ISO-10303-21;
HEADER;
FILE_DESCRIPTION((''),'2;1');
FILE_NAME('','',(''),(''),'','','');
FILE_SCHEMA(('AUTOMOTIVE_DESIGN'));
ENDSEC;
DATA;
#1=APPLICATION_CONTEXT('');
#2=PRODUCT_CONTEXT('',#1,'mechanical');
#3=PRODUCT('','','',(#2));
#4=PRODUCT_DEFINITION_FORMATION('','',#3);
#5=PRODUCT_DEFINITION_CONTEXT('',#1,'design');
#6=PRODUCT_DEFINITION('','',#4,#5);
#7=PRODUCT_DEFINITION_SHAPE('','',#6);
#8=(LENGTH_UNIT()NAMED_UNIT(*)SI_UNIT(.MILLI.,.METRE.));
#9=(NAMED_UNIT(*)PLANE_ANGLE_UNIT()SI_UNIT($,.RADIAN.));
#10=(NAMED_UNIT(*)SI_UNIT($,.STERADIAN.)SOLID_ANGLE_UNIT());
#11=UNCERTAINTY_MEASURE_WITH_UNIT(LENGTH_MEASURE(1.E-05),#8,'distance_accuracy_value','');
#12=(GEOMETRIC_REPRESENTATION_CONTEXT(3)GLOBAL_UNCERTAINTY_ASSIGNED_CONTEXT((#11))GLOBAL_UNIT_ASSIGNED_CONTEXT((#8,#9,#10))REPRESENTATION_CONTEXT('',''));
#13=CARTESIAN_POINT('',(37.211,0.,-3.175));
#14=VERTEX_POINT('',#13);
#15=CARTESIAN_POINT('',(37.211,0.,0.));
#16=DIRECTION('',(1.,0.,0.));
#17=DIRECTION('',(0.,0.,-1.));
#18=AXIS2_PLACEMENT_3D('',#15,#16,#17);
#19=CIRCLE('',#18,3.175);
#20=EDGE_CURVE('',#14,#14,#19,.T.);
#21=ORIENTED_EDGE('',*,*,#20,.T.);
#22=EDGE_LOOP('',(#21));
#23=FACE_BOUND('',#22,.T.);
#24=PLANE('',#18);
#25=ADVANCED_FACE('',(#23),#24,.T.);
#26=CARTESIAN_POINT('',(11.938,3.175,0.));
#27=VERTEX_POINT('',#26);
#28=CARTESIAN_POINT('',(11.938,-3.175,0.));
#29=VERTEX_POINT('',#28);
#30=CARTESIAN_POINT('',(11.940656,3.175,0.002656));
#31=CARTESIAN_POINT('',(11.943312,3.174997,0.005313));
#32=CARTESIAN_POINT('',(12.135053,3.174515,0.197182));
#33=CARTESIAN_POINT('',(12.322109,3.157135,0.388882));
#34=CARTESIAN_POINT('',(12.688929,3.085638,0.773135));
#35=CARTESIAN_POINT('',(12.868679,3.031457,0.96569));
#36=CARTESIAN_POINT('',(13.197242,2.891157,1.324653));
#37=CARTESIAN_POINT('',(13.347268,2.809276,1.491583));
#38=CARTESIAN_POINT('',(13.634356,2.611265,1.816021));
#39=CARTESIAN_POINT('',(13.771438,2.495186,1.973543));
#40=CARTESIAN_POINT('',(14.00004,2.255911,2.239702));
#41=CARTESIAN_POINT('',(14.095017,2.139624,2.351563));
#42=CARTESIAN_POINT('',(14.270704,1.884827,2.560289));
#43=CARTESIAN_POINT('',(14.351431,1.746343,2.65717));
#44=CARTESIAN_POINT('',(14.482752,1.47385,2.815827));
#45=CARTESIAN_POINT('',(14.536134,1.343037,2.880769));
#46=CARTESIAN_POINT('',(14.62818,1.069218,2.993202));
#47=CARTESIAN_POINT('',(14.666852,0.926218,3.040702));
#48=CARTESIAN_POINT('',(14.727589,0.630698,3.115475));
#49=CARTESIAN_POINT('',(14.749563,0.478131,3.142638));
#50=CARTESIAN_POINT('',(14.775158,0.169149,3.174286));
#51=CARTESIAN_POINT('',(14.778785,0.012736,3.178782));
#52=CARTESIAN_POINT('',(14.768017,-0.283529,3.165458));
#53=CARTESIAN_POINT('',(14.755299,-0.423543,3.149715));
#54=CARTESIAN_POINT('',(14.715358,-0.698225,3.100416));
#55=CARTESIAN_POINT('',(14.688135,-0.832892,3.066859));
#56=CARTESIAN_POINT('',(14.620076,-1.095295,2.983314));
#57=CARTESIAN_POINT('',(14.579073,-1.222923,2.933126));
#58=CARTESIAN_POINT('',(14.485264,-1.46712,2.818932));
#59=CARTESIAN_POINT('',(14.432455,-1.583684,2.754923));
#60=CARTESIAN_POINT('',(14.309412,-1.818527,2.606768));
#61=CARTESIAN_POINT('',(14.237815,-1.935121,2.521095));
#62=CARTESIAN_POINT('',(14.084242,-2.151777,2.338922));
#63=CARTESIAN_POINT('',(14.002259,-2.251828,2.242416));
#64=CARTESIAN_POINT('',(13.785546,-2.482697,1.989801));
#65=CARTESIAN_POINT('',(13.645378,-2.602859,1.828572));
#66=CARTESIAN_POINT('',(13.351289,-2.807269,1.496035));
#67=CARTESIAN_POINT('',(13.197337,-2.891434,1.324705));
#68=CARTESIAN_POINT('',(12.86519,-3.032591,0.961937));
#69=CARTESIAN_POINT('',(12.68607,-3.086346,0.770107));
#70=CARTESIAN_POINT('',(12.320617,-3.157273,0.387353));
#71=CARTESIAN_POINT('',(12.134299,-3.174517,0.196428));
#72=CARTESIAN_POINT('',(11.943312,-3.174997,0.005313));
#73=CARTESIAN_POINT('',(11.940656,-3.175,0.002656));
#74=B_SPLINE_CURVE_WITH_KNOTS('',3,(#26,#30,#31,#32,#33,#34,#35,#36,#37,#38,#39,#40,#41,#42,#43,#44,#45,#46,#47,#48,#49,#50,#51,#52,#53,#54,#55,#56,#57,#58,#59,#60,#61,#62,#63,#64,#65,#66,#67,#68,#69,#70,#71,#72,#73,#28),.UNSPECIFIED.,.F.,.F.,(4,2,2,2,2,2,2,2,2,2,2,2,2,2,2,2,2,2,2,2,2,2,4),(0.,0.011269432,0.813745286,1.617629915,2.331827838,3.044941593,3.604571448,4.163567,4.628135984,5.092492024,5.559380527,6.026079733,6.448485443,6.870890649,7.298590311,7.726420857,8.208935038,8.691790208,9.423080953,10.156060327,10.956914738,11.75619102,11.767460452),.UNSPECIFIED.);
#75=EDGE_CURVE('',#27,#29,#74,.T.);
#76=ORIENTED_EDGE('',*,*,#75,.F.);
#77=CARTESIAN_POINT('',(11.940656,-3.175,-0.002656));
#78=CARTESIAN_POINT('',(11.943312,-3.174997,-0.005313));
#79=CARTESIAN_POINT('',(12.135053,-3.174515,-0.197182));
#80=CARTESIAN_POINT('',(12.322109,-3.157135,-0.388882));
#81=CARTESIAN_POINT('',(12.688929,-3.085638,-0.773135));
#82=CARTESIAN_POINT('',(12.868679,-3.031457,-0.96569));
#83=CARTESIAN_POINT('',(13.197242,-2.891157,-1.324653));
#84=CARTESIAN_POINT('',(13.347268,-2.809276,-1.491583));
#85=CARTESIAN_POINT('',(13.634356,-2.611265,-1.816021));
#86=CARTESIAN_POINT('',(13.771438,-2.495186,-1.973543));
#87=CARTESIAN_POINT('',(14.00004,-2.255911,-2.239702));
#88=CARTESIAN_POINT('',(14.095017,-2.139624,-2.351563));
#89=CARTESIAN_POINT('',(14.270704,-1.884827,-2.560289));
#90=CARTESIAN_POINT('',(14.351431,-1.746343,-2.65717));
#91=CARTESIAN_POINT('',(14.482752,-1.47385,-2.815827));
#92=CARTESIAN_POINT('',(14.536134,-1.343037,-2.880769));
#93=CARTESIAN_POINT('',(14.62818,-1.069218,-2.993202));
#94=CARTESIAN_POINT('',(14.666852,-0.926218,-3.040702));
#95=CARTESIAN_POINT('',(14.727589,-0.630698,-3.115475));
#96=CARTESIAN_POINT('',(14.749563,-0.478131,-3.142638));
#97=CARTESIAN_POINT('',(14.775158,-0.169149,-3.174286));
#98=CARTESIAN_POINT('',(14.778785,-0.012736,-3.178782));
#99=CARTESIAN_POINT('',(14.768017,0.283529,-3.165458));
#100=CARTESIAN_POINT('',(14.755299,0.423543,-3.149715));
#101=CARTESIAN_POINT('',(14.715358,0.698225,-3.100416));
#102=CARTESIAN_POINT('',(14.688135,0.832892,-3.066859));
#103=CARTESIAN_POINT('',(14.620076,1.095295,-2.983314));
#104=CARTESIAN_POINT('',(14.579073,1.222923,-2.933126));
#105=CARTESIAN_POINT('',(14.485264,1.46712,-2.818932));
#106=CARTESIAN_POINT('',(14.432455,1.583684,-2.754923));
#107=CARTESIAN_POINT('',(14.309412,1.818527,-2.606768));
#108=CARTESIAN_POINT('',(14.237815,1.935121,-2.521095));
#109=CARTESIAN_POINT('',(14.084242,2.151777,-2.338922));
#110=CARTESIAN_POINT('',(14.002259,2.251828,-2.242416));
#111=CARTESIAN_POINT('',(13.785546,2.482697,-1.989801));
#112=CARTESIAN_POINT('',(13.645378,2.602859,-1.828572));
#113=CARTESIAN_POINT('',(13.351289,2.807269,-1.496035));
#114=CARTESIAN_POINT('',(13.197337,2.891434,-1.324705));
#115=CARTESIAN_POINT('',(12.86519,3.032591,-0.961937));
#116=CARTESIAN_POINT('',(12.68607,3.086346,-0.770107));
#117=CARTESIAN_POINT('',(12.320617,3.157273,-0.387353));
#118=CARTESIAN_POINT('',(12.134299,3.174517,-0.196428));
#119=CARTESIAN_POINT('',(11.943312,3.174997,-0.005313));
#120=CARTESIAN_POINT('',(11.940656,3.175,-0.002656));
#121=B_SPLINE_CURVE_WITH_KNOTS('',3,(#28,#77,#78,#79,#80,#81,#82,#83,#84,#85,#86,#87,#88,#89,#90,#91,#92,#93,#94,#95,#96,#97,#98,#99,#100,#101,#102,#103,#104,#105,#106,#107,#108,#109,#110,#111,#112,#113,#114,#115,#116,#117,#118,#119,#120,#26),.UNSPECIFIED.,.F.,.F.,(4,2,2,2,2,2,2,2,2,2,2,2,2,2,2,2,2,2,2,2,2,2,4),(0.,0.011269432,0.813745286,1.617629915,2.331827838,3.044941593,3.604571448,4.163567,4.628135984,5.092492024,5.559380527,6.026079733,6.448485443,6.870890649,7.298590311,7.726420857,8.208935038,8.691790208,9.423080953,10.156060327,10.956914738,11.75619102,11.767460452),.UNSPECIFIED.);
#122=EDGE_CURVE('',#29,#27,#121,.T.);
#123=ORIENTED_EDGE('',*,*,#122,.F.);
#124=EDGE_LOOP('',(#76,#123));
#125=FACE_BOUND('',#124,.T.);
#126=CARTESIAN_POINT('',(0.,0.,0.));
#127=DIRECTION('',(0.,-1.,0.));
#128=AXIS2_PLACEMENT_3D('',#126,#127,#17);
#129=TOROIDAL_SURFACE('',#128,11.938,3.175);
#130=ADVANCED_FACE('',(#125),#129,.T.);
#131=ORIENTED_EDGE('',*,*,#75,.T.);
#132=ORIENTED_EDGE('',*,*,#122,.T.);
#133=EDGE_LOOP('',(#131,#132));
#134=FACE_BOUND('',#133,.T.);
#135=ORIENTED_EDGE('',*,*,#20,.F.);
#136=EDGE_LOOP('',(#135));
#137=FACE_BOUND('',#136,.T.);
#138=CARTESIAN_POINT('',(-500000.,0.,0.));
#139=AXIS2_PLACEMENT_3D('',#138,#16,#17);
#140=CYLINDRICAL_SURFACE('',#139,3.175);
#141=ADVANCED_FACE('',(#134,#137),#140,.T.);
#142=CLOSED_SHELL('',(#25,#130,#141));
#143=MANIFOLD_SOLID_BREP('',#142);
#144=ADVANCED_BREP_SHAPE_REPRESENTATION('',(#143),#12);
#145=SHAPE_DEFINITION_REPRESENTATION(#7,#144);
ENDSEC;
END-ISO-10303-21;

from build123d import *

# Parameters (mm, degrees)
SKETCH2_R                 = 3.175
EXTRUDE1_REACH            = 56.555
EXTRUDE1_END_MAJOR_RADIUS = 11.938
EXTRUDE1_END_MINOR_RADIUS = 3.175
SKETCH3_R                 = 3.175


with BuildPart() as part:
    # Sketch2 → Revolve1 (revolve)
    with BuildSketch(Plane.XY, mode=Mode.PRIVATE) as revolve1_sk:
        with Locations((-11.938, 0)):
            Circle(SKETCH2_R)
    revolve(revolve1_sk.sketch.rotate(Axis((0, 0, 0), (0, 1, 0)), 270), axis=Axis((0, 0, 0), (0, 1, 0)))

    # Extrude1: up to this torus (the profile starts outside it)
    extrude1_end = Plane(origin=(0, 0, 0), z_dir=(0, -1, 0)) * Torus(EXTRUDE1_END_MAJOR_RADIUS, EXTRUDE1_END_MINOR_RADIUS, mode=Mode.PRIVATE)
    # Sketch3 → Extrude1 (add, up to the surface)
    with BuildSketch(Plane(origin=(37.211, 0, 0), x_dir=(0, 0, -1), z_dir=(1, 0, 0)), mode=Mode.PRIVATE) as extrude1_sk1:
        Circle(SKETCH3_R)
    extrude1_tool1 = extrude(extrude1_sk1.sketch, amount=-EXTRUDE1_REACH, mode=Mode.PRIVATE) - extrude1_end
    add(extrude1_tool1.solids().sort_by_distance((37.211, 0, 0))[0])


solid = part.part
